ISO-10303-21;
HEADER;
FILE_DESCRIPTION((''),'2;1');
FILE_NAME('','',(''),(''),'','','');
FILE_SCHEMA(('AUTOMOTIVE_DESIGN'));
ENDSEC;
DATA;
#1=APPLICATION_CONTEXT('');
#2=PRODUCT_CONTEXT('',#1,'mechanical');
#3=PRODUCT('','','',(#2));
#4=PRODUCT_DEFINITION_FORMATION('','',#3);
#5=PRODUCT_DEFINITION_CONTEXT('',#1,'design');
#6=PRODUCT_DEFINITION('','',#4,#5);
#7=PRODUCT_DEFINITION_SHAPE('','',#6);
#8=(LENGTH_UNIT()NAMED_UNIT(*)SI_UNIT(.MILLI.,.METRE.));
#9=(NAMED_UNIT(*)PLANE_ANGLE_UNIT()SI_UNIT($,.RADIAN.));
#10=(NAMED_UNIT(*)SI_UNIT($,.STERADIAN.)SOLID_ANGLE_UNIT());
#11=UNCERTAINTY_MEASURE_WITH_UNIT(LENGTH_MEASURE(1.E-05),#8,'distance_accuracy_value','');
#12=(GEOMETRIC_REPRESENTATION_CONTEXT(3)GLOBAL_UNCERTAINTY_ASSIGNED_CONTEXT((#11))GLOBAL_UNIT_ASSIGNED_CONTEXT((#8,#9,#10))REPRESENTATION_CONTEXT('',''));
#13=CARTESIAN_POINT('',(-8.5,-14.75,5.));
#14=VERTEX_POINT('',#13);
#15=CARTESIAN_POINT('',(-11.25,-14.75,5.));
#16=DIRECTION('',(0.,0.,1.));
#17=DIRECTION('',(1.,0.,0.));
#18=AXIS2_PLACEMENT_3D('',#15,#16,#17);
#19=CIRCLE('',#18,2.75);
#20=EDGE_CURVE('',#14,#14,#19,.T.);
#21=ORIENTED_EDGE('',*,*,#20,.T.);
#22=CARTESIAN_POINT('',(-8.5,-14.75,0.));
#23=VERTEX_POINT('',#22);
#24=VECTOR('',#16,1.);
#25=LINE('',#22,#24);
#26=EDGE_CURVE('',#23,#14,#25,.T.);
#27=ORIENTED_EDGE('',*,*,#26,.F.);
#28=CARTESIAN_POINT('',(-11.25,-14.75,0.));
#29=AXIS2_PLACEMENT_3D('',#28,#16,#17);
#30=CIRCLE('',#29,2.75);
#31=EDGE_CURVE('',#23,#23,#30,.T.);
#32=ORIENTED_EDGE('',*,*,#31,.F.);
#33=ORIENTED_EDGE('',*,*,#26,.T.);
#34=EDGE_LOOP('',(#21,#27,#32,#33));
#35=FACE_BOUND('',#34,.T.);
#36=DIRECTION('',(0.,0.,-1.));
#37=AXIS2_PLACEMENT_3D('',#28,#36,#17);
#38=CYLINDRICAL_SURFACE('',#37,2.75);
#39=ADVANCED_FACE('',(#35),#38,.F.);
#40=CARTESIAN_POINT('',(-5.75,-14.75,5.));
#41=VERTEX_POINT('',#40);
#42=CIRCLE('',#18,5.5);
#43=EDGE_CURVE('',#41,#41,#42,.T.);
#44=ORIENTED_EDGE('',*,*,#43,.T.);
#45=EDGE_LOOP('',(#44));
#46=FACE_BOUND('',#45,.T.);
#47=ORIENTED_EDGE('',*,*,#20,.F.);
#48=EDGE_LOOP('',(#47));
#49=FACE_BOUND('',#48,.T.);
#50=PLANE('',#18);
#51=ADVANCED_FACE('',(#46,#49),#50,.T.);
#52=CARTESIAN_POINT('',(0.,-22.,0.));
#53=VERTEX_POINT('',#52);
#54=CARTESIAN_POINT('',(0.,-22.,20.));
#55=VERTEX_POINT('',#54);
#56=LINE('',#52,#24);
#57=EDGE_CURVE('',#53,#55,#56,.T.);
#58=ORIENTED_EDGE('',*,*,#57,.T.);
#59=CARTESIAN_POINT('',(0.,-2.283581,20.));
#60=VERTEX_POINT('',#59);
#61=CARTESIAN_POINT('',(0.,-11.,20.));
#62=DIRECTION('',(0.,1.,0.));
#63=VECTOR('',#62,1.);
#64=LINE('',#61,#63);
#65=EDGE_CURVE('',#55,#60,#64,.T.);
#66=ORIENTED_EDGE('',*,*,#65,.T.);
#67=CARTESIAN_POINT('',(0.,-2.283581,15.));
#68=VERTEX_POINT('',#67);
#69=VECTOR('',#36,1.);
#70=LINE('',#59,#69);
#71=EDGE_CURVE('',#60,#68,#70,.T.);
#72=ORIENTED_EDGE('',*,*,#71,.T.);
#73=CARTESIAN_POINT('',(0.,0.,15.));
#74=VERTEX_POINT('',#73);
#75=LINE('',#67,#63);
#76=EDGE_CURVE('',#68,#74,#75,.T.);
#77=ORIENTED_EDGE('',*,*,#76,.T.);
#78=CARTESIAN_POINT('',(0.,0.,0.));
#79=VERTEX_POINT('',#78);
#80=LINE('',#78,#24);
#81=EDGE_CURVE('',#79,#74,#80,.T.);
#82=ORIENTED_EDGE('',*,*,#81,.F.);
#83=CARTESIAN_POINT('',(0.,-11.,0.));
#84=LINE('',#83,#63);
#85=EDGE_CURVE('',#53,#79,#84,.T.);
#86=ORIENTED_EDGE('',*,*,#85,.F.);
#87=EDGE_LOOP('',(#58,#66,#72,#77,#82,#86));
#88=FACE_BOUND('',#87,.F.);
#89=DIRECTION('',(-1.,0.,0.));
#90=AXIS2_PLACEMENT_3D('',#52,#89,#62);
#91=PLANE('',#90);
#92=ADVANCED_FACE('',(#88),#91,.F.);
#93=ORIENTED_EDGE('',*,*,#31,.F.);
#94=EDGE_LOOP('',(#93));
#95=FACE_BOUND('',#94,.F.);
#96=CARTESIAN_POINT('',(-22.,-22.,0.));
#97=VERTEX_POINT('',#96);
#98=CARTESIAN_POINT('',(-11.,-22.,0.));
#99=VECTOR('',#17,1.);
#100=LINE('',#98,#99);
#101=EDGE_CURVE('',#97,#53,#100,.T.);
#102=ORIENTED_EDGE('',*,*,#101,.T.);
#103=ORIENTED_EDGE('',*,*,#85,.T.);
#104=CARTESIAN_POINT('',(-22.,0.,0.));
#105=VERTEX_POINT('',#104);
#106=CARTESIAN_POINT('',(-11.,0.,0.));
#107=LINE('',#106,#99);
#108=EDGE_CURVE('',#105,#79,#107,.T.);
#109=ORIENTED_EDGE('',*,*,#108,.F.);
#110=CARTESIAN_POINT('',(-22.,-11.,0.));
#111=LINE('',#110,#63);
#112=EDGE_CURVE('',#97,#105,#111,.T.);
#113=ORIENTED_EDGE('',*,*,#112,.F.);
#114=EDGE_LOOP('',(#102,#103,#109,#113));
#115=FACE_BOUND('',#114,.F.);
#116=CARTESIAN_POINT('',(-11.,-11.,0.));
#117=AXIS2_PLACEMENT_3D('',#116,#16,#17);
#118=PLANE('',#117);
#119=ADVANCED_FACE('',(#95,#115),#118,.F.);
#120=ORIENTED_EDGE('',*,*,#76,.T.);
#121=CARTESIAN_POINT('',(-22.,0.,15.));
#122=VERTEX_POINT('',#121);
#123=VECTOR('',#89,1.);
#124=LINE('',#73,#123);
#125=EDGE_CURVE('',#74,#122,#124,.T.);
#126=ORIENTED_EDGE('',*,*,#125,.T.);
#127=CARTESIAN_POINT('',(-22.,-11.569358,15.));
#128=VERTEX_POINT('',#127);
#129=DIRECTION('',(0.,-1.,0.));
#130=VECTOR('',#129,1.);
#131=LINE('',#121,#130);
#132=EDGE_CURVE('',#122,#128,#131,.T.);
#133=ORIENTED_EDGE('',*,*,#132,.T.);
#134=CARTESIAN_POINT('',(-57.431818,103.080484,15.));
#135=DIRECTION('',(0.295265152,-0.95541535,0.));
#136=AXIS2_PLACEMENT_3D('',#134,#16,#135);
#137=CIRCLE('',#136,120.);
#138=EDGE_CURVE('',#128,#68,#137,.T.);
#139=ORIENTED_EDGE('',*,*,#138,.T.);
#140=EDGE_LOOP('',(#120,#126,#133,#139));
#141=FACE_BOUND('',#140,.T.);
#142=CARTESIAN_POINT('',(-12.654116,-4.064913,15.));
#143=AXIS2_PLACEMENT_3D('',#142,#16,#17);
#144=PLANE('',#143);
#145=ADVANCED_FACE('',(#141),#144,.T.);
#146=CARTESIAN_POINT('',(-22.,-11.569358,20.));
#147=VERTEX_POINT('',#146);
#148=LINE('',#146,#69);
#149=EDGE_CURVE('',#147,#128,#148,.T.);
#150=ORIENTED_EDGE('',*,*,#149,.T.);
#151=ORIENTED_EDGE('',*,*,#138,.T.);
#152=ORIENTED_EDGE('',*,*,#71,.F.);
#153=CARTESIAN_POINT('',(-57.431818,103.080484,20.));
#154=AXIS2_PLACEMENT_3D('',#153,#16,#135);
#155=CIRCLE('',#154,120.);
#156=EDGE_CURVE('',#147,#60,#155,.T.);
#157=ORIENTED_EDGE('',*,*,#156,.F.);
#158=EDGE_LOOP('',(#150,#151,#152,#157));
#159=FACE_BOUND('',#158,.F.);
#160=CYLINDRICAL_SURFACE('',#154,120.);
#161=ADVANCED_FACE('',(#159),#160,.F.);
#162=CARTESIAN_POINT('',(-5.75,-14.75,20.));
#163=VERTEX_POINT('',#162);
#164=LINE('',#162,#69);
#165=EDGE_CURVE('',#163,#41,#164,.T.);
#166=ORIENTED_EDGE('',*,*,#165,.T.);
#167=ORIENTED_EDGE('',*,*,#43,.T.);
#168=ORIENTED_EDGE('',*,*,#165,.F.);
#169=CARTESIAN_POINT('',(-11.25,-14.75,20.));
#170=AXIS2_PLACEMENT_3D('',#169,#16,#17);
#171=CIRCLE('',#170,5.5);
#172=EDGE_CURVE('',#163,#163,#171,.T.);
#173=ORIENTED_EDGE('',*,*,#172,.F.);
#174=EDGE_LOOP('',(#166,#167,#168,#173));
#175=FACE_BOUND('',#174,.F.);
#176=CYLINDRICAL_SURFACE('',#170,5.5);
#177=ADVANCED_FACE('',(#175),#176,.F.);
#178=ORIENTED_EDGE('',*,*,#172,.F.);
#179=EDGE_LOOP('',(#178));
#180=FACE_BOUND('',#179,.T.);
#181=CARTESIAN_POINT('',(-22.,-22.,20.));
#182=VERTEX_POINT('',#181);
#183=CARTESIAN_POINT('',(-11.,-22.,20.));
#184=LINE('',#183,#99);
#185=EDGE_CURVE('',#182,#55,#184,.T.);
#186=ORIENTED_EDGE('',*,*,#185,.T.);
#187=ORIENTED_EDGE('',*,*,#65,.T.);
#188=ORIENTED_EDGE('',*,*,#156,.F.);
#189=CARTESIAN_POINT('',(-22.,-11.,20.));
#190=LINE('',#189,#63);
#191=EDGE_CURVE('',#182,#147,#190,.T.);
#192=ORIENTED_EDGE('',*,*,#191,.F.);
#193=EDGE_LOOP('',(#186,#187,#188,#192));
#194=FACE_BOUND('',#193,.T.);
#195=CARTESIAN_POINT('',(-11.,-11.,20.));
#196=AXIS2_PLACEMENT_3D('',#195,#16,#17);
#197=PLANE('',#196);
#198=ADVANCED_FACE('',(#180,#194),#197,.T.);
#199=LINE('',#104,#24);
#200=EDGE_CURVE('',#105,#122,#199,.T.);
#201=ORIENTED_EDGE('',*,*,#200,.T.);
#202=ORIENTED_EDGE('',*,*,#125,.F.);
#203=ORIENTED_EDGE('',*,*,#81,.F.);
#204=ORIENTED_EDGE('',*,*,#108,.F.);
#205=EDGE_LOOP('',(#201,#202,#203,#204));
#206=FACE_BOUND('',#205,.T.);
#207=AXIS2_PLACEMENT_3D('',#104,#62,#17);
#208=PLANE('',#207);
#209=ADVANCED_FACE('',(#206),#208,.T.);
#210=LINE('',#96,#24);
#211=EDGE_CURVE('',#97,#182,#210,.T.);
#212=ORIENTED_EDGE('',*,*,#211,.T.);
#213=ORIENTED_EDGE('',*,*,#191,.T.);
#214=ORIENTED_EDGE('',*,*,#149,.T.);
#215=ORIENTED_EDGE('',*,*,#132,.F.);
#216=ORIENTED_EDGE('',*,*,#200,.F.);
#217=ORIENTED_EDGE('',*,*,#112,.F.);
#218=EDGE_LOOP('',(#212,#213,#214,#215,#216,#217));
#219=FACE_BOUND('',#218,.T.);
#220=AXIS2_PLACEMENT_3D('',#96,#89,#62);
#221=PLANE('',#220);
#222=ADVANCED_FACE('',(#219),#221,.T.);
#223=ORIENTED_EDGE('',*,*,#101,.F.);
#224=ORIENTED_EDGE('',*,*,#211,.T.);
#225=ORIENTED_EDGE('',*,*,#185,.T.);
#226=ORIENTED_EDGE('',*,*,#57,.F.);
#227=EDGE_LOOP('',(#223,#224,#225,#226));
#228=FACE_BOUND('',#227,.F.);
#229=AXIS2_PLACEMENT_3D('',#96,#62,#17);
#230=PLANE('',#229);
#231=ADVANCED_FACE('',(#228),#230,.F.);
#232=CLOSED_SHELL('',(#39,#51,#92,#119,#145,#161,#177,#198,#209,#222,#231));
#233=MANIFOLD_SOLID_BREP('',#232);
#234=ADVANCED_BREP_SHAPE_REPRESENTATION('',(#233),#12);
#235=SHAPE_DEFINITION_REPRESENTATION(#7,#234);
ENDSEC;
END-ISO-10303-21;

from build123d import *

# Parameters (mm, degrees)
F0_W     = 22
F0_H     = 22
F0_R     = 2.75
F1_DEPTH = 20
F2_R     = 5.5
F2_R_2   = 2.75
F3_DEPTH = 15
F5_DEPTH = 5


with BuildPart() as f1:
    # F0 (on Top) → F1 (new body)
    with BuildSketch(Plane.XY):
        with Locations((-11, -11)):
            Rectangle(F0_W, F0_H)
        with Locations((-11.25, -14.75)):
            Circle(F0_R, mode=Mode.SUBTRACT)
    extrude(amount=F1_DEPTH)

    # F2 (on face) → F3 (cut)
    with BuildSketch(Plane.XY.offset(20)):
        with Locations((-11.25, -14.75)):
            Circle(F2_R)
        with Locations((-11.25, -14.75)):
            Circle(F2_R_2, mode=Mode.SUBTRACT)
    extrude(amount=-F3_DEPTH, mode=Mode.SUBTRACT)

    # F4 (on face) → F5 (cut)
    with BuildSketch(Plane.XY.offset(20)):
        with BuildLine():
            Line((0, 0), (-22, 0))
            Line((-22, 0), (-22, -11.5693575736))
            ThreePointArc((-22, -11.5693575736), (-10.7684476262, -7.4750665799), (0, -2.2835809364))
            Line((0, -2.2835809364), (0, 0))
        make_face()
    extrude(amount=-F5_DEPTH, mode=Mode.SUBTRACT)


solid = f1.part
